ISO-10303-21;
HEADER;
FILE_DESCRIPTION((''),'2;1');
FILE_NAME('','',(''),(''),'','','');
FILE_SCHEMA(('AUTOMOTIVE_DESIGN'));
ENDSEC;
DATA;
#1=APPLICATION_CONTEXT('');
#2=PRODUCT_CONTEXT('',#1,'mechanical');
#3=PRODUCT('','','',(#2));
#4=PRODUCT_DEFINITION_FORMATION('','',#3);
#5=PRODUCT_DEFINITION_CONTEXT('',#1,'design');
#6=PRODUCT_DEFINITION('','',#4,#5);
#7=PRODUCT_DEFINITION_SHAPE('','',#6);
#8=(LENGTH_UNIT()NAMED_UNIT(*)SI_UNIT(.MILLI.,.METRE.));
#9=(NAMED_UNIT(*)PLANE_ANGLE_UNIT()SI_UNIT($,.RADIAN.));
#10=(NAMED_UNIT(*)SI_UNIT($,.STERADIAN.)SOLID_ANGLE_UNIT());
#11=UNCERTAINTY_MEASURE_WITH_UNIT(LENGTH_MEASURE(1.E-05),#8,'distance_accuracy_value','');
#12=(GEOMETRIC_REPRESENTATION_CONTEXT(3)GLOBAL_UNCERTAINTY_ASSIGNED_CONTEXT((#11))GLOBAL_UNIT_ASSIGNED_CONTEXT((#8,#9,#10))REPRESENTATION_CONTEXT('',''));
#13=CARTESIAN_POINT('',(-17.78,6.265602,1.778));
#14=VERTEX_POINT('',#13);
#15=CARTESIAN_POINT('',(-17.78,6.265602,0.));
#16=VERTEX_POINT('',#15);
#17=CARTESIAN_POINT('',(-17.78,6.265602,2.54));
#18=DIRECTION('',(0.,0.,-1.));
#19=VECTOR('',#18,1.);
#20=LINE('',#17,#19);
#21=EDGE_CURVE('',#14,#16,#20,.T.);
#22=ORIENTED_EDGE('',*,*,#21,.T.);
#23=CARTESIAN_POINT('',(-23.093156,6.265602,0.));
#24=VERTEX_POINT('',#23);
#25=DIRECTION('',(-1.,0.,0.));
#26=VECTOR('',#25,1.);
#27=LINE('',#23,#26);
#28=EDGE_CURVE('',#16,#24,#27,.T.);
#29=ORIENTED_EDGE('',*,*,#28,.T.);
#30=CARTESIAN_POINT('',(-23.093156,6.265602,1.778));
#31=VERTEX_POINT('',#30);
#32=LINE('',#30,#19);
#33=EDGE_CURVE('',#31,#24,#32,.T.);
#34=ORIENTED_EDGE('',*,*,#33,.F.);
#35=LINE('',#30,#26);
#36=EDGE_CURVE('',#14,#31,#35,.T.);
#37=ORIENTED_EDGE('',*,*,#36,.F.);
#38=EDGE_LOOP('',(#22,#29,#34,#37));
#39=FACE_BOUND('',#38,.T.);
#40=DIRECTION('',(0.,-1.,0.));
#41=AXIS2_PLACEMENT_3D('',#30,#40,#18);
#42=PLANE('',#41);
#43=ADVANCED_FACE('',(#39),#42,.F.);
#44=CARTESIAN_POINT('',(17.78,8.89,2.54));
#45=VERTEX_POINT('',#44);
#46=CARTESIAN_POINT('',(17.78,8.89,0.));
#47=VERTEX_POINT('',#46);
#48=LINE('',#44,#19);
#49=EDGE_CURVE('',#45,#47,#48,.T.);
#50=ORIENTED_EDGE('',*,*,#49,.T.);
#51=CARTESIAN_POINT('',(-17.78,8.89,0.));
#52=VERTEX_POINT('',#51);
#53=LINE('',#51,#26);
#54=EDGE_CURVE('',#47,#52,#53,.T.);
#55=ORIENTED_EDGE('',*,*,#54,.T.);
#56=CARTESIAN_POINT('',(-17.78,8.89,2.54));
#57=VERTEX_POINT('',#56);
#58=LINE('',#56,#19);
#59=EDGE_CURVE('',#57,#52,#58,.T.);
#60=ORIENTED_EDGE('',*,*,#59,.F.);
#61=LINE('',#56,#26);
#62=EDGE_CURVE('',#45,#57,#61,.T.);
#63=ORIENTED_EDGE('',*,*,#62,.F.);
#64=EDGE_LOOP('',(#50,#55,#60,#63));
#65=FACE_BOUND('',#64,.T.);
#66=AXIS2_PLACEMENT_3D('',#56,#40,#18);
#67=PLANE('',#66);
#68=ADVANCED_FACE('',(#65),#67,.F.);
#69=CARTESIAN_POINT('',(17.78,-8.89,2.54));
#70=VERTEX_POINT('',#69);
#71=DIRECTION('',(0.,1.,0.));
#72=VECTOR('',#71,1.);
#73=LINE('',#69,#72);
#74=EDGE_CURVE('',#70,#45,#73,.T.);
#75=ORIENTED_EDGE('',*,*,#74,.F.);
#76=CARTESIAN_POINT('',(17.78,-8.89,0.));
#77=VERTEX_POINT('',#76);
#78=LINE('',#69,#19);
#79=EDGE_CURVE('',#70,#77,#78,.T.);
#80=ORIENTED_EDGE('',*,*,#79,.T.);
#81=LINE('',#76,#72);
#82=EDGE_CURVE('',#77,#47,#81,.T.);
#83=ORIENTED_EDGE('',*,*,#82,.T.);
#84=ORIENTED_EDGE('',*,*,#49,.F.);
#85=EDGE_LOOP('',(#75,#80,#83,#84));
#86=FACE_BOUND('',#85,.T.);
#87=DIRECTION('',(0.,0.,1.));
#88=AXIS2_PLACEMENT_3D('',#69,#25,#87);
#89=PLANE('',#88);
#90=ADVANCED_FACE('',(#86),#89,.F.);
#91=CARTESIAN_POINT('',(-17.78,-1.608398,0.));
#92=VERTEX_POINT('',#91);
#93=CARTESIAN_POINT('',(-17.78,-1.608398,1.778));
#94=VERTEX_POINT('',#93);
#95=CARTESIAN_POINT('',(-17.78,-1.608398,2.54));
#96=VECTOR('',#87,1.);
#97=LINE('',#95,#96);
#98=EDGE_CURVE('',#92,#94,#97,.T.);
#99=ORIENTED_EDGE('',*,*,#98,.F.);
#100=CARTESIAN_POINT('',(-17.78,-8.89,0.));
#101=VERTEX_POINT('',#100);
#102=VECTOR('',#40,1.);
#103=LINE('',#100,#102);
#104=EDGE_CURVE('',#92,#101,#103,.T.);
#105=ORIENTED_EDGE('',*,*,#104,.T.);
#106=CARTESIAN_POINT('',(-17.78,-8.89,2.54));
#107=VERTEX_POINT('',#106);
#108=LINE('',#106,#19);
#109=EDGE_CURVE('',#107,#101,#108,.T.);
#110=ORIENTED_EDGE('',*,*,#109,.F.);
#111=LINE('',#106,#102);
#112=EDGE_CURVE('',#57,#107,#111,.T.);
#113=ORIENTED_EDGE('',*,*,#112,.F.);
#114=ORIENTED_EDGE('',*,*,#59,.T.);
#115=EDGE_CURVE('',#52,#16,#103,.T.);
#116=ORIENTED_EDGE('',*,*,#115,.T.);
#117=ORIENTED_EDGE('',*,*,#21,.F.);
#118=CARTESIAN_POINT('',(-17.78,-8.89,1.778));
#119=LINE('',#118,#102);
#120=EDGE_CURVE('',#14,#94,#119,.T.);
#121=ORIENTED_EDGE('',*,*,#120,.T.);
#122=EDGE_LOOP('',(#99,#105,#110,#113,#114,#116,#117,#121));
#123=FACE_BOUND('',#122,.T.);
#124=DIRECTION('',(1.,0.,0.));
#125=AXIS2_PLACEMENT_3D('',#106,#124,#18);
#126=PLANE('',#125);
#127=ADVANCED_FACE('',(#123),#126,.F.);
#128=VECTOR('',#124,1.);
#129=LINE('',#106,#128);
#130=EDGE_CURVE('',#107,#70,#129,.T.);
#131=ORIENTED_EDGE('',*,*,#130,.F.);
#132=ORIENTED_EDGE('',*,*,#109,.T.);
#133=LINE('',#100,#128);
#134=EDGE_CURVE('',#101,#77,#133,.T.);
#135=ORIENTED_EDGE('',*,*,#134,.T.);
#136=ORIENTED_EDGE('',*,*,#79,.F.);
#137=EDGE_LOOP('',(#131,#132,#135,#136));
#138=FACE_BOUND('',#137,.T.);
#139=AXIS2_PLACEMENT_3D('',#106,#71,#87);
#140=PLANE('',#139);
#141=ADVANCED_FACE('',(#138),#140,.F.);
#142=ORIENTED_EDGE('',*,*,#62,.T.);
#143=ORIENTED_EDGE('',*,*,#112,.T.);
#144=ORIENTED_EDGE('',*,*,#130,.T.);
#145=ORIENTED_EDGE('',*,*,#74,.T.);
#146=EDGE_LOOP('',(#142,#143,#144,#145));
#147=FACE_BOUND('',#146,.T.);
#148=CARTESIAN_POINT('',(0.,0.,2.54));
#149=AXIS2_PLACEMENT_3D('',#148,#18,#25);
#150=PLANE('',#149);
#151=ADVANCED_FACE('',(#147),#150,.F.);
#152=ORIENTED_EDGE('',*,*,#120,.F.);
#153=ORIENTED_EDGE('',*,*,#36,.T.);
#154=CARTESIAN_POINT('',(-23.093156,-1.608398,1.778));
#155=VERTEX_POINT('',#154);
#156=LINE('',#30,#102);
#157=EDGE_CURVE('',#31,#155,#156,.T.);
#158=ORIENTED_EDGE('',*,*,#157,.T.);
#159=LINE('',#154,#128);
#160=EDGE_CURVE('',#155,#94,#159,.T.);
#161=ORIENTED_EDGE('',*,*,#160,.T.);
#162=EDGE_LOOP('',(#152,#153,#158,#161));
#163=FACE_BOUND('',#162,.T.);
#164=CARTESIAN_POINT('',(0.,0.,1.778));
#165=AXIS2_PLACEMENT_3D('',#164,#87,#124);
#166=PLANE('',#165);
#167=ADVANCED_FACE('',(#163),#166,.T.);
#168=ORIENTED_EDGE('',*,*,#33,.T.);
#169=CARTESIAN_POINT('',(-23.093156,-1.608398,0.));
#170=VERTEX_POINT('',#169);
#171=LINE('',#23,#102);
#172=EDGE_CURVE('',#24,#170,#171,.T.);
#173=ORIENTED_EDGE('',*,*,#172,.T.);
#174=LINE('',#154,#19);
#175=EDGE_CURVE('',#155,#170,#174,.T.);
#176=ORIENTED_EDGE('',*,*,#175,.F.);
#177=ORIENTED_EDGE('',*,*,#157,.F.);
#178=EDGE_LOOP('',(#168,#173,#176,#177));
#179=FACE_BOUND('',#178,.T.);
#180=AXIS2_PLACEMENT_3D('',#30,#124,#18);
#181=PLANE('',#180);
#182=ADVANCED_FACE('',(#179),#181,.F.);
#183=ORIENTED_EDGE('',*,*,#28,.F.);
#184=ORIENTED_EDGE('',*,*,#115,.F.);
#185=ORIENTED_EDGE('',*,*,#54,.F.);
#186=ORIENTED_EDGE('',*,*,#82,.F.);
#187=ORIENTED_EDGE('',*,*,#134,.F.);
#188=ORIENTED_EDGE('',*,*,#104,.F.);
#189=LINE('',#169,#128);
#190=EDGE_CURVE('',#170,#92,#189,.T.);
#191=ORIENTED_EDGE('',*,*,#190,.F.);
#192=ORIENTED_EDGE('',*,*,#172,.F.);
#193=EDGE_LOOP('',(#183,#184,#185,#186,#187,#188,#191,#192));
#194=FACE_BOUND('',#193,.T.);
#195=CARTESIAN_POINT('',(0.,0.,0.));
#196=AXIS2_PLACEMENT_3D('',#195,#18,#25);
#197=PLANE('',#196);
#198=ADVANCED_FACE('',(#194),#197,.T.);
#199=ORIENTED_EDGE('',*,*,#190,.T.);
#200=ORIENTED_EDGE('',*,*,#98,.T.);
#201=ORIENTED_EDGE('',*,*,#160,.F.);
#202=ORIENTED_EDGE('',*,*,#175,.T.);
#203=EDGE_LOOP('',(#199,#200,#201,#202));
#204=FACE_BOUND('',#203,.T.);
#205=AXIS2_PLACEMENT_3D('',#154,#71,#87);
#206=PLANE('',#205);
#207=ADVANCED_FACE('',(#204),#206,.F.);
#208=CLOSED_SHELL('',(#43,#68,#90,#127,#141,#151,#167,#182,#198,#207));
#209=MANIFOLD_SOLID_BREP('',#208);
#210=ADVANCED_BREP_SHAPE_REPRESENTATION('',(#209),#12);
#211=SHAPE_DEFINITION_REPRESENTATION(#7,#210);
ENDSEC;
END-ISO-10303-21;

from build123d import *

# Parameters (mm, degrees)
SKETCH1_W           = 35.56
SKETCH1_H           = 17.78
BOSS_EXTRUDE1_DEPTH = 2.54
SKETCH2_W           = 5.842
SKETCH2_H           = 7.874
BOSS_EXTRUDE2_DEPTH = 1.778


with BuildPart() as part:
    # Sketch1 → Boss-Extrude1 (new body)
    with BuildSketch(Plane.XY):
        Rectangle(SKETCH1_W, SKETCH1_H)
    extrude(amount=BOSS_EXTRUDE1_DEPTH)

    # Sketch2 → Boss-Extrude2 (add)
    with BuildSketch(Plane.XY):
        with Locations((-20.172155885, 2.328602081)):
            Rectangle(SKETCH2_W, SKETCH2_H)
    extrude(amount=BOSS_EXTRUDE2_DEPTH)


solid = part.part
